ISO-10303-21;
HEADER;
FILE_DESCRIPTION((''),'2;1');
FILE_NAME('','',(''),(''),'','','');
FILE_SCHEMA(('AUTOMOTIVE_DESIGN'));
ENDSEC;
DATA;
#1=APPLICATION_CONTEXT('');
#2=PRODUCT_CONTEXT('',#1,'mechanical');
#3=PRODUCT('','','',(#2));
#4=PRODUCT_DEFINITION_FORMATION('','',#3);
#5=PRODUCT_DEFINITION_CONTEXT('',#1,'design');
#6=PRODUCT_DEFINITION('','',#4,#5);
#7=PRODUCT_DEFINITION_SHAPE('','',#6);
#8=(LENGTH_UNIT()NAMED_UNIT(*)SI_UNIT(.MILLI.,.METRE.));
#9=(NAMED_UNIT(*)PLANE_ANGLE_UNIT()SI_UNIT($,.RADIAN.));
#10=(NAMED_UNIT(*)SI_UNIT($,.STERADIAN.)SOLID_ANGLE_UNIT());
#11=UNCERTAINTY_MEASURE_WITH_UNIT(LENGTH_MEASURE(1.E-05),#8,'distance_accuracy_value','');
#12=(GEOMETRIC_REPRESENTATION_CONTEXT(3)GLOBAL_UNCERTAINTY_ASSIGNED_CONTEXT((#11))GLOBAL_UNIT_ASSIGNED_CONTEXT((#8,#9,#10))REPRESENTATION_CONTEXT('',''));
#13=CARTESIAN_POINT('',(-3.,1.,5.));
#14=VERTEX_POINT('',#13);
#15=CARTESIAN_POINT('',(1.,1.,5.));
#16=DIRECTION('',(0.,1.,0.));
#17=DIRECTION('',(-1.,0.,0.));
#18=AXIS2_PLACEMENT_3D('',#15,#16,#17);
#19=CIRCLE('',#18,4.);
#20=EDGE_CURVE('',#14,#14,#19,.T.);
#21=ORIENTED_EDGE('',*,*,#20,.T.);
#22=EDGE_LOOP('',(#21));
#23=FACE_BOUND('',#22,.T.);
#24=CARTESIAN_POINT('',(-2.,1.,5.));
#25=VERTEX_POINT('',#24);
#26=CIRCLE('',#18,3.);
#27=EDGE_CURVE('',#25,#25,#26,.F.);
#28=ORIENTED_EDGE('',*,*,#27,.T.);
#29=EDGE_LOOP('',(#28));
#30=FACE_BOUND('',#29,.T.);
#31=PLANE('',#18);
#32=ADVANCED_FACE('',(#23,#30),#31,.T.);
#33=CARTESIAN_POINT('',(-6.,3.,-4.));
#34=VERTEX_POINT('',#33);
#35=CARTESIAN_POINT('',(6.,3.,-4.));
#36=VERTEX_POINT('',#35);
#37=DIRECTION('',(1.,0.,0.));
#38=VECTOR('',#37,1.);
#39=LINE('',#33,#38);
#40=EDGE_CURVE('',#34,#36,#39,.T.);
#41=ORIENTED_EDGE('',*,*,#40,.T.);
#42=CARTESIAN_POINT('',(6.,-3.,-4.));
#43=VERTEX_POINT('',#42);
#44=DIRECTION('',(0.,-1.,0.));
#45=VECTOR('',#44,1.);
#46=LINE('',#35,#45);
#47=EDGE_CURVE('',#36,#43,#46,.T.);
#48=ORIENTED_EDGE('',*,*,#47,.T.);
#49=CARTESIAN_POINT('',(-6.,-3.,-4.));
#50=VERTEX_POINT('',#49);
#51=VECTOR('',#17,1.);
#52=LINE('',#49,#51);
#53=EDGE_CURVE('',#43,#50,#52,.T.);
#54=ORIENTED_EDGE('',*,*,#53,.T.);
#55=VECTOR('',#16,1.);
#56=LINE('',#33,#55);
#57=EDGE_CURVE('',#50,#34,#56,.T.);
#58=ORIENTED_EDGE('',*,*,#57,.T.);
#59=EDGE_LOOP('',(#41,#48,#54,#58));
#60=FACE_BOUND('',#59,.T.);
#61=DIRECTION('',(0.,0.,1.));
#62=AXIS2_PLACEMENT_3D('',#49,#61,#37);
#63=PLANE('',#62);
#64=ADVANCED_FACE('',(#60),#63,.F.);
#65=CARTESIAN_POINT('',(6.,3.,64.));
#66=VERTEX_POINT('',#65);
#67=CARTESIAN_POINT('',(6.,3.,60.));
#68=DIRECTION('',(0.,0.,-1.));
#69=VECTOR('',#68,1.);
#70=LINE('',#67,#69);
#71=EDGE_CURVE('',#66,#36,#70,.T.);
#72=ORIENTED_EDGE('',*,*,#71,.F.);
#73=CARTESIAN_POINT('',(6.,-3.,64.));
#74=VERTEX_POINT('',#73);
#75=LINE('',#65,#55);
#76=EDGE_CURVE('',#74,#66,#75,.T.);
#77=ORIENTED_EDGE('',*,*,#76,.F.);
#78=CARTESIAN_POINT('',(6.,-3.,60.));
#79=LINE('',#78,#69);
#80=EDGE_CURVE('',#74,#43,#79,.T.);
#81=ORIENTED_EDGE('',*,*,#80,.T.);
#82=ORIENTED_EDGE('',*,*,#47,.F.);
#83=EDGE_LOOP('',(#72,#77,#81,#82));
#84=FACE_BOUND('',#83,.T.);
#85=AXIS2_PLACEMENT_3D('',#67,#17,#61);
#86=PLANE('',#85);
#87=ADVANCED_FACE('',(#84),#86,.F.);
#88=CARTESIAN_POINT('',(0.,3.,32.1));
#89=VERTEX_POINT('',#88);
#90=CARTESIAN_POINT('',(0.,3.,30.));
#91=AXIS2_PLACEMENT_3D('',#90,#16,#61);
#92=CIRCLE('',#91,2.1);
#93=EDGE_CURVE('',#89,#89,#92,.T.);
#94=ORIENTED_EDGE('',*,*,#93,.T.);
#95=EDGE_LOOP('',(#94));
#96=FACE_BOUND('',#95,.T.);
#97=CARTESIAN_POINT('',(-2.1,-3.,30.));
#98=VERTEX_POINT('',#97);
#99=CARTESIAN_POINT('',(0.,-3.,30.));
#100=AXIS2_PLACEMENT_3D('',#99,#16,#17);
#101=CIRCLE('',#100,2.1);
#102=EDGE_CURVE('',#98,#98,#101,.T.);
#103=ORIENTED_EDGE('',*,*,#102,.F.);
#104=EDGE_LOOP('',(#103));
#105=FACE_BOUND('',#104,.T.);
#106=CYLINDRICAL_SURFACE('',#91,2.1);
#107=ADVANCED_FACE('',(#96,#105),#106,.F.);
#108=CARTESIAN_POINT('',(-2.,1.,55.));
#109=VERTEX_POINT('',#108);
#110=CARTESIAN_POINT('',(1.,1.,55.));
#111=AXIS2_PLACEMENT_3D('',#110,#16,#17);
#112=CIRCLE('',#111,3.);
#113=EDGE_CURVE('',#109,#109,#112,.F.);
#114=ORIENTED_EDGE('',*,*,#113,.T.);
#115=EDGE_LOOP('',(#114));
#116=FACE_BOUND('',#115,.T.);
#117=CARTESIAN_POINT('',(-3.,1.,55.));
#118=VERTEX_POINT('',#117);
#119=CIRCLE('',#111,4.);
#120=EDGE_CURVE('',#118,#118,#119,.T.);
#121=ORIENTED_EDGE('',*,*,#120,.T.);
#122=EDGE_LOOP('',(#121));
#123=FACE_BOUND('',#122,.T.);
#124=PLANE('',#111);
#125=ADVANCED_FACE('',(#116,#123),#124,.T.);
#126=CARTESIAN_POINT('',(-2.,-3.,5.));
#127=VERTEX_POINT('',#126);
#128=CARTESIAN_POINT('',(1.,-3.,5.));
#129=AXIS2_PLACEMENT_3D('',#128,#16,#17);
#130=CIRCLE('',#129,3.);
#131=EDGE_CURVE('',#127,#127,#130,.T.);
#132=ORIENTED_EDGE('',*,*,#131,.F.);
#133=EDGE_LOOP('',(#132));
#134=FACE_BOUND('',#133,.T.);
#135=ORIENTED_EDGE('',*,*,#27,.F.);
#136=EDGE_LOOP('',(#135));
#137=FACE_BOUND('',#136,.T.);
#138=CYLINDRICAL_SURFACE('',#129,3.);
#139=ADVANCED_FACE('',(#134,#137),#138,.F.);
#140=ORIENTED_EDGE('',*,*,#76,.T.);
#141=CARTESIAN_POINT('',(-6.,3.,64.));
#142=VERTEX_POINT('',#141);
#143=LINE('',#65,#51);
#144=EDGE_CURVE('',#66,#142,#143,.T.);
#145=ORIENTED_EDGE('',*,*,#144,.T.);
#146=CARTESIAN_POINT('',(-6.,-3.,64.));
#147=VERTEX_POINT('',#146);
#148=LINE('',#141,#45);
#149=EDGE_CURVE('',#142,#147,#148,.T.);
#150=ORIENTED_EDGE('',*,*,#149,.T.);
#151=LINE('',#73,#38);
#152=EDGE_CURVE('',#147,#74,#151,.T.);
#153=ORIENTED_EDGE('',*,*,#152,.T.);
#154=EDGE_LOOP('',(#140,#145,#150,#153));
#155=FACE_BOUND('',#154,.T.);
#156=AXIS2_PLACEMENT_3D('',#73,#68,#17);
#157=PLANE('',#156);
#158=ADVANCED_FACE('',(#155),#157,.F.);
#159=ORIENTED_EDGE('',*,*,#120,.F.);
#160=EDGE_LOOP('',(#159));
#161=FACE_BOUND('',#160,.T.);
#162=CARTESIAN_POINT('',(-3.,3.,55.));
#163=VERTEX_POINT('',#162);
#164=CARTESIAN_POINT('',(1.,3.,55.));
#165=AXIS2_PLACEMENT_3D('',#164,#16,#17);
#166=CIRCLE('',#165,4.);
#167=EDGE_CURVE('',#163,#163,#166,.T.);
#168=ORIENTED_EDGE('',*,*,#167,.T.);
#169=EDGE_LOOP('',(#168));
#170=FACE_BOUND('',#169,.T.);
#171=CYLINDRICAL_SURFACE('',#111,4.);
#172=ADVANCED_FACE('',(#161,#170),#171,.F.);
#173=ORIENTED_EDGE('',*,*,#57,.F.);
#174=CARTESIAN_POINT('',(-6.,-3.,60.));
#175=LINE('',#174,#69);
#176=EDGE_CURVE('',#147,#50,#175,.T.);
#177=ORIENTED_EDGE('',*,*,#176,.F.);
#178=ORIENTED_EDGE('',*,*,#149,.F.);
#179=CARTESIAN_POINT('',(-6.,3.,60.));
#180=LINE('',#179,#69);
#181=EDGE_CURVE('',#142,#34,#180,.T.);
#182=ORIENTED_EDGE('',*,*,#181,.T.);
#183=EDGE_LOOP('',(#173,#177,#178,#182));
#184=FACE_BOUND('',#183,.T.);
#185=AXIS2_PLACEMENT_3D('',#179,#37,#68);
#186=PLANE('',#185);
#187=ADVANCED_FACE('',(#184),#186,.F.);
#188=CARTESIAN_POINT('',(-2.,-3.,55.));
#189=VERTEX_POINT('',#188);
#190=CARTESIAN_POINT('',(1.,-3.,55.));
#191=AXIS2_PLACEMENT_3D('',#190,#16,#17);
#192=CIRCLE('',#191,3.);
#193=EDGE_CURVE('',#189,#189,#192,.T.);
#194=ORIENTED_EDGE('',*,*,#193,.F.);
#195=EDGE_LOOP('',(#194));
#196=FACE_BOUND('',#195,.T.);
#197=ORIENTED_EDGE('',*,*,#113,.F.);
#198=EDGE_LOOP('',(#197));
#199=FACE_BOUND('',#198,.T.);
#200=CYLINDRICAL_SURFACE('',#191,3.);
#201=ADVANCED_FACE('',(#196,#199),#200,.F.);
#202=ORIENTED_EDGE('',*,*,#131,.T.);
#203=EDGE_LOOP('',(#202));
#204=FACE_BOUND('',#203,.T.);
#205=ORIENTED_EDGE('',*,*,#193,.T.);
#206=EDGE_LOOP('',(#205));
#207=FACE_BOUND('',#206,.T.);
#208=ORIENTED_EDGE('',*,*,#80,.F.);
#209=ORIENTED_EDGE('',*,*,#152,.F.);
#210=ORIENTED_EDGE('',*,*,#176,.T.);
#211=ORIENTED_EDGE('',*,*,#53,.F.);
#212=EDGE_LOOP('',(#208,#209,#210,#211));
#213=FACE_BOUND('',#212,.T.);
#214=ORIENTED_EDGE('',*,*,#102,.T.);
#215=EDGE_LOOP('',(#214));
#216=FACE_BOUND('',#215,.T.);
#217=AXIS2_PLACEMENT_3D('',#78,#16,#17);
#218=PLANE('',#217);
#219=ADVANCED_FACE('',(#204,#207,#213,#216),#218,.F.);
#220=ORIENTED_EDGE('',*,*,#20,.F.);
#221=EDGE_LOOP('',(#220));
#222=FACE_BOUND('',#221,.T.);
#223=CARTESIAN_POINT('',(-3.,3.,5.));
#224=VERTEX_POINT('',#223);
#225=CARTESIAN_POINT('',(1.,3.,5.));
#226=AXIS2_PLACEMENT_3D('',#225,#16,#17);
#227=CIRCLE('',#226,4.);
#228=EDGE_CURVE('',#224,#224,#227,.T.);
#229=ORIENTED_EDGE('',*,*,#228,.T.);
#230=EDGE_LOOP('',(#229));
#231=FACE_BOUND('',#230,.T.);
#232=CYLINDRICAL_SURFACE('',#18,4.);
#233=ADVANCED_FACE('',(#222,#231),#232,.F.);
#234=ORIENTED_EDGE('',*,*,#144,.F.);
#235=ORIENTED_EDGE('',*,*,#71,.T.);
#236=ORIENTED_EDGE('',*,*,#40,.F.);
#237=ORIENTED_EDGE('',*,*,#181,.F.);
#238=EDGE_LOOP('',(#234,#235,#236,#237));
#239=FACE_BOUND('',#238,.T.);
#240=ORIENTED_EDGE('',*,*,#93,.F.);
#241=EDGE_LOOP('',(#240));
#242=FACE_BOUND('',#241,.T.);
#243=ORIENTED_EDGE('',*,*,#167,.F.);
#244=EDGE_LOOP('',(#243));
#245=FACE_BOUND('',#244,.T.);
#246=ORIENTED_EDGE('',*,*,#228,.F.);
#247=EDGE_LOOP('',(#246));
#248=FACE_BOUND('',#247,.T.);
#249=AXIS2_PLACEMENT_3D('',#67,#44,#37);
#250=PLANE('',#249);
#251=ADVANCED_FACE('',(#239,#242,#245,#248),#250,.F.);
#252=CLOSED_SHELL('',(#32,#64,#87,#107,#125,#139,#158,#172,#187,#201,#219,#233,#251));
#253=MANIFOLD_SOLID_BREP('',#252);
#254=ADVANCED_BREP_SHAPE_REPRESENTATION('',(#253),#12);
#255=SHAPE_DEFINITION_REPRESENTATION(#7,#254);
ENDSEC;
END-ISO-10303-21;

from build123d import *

# Parameters (mm, degrees)
SKETCH1_W             = 12
SKETCH1_H             = 6
BOSS_EXTRUDE1_DEPTH   = 60
SKETCH2_R             = 3
CUT_EXTRUDE1_DEPTH    = 7
SKETCH3_R             = 4
CUT_EXTRUDE2_DEPTH    = 2
SKETCH4_W             = 12
SKETCH4_H             = 6
BOSS_EXTRUDE2_DEPTH   = 4
SKETCH5_W             = 12
SKETCH5_H             = 6
BOSS_EXTRUDE3_DEPTH   = 4
M5_TAPPED_HOLE1_D     = 4.2
M5_TAPPED_HOLE1_DEPTH = 52
M5_TAPPED_HOLE1_TIP   = 1.2618073


with BuildPart() as part:
    # Sketch1 → Boss-Extrude1 (new body)
    with BuildSketch(Plane.XY):
        Rectangle(SKETCH1_W, SKETCH1_H)
    extrude(amount=BOSS_EXTRUDE1_DEPTH)

    # Sketch2 → Cut-Extrude1 (cut, through all)
    with BuildSketch(Plane(origin=(0, 3, 0), x_dir=(1, 0, 0), z_dir=(0, 1, 0))):
        with Locations((1, -5)):
            Circle(SKETCH2_R)
        with Locations((1, -55)):
            Circle(SKETCH2_R)
    extrude(amount=-CUT_EXTRUDE1_DEPTH, mode=Mode.SUBTRACT)

    # Sketch3 → Cut-Extrude2 (cut)
    with BuildSketch(Plane(origin=(0, 3, 0), x_dir=(1, 0, 0), z_dir=(0, 1, 0))):
        with Locations((1, -5)):
            Circle(SKETCH3_R)
        with Locations((1, -55)):
            Circle(SKETCH3_R)
    extrude(amount=-CUT_EXTRUDE2_DEPTH, mode=Mode.SUBTRACT)

    # Sketch4 → Boss-Extrude2 (add)
    with BuildSketch(Plane(origin=(0, 0, 0), x_dir=(-1, 0, 0), z_dir=(0, 0, -1))):
        Rectangle(SKETCH4_W, SKETCH4_H)
    extrude(amount=BOSS_EXTRUDE2_DEPTH)

    # Sketch5 → Boss-Extrude3 (add)
    with BuildSketch(Plane.XY.offset(60)):
        Rectangle(SKETCH5_W, SKETCH5_H)
    extrude(amount=BOSS_EXTRUDE3_DEPTH)

    # M5 Tapped Hole1
    with Locations(Plane(origin=(0, 3, 0), x_dir=(-1, 0, 0), z_dir=(0, 1, 0))):
        with Locations((0, 30)):
            Hole(M5_TAPPED_HOLE1_D / 2, depth=M5_TAPPED_HOLE1_DEPTH)
            with Locations((0, 0, -(M5_TAPPED_HOLE1_DEPTH + M5_TAPPED_HOLE1_TIP / 2))):  # 118° drill point
                Cone(0, M5_TAPPED_HOLE1_D / 2, M5_TAPPED_HOLE1_TIP, mode=Mode.SUBTRACT)


solid = part.part
